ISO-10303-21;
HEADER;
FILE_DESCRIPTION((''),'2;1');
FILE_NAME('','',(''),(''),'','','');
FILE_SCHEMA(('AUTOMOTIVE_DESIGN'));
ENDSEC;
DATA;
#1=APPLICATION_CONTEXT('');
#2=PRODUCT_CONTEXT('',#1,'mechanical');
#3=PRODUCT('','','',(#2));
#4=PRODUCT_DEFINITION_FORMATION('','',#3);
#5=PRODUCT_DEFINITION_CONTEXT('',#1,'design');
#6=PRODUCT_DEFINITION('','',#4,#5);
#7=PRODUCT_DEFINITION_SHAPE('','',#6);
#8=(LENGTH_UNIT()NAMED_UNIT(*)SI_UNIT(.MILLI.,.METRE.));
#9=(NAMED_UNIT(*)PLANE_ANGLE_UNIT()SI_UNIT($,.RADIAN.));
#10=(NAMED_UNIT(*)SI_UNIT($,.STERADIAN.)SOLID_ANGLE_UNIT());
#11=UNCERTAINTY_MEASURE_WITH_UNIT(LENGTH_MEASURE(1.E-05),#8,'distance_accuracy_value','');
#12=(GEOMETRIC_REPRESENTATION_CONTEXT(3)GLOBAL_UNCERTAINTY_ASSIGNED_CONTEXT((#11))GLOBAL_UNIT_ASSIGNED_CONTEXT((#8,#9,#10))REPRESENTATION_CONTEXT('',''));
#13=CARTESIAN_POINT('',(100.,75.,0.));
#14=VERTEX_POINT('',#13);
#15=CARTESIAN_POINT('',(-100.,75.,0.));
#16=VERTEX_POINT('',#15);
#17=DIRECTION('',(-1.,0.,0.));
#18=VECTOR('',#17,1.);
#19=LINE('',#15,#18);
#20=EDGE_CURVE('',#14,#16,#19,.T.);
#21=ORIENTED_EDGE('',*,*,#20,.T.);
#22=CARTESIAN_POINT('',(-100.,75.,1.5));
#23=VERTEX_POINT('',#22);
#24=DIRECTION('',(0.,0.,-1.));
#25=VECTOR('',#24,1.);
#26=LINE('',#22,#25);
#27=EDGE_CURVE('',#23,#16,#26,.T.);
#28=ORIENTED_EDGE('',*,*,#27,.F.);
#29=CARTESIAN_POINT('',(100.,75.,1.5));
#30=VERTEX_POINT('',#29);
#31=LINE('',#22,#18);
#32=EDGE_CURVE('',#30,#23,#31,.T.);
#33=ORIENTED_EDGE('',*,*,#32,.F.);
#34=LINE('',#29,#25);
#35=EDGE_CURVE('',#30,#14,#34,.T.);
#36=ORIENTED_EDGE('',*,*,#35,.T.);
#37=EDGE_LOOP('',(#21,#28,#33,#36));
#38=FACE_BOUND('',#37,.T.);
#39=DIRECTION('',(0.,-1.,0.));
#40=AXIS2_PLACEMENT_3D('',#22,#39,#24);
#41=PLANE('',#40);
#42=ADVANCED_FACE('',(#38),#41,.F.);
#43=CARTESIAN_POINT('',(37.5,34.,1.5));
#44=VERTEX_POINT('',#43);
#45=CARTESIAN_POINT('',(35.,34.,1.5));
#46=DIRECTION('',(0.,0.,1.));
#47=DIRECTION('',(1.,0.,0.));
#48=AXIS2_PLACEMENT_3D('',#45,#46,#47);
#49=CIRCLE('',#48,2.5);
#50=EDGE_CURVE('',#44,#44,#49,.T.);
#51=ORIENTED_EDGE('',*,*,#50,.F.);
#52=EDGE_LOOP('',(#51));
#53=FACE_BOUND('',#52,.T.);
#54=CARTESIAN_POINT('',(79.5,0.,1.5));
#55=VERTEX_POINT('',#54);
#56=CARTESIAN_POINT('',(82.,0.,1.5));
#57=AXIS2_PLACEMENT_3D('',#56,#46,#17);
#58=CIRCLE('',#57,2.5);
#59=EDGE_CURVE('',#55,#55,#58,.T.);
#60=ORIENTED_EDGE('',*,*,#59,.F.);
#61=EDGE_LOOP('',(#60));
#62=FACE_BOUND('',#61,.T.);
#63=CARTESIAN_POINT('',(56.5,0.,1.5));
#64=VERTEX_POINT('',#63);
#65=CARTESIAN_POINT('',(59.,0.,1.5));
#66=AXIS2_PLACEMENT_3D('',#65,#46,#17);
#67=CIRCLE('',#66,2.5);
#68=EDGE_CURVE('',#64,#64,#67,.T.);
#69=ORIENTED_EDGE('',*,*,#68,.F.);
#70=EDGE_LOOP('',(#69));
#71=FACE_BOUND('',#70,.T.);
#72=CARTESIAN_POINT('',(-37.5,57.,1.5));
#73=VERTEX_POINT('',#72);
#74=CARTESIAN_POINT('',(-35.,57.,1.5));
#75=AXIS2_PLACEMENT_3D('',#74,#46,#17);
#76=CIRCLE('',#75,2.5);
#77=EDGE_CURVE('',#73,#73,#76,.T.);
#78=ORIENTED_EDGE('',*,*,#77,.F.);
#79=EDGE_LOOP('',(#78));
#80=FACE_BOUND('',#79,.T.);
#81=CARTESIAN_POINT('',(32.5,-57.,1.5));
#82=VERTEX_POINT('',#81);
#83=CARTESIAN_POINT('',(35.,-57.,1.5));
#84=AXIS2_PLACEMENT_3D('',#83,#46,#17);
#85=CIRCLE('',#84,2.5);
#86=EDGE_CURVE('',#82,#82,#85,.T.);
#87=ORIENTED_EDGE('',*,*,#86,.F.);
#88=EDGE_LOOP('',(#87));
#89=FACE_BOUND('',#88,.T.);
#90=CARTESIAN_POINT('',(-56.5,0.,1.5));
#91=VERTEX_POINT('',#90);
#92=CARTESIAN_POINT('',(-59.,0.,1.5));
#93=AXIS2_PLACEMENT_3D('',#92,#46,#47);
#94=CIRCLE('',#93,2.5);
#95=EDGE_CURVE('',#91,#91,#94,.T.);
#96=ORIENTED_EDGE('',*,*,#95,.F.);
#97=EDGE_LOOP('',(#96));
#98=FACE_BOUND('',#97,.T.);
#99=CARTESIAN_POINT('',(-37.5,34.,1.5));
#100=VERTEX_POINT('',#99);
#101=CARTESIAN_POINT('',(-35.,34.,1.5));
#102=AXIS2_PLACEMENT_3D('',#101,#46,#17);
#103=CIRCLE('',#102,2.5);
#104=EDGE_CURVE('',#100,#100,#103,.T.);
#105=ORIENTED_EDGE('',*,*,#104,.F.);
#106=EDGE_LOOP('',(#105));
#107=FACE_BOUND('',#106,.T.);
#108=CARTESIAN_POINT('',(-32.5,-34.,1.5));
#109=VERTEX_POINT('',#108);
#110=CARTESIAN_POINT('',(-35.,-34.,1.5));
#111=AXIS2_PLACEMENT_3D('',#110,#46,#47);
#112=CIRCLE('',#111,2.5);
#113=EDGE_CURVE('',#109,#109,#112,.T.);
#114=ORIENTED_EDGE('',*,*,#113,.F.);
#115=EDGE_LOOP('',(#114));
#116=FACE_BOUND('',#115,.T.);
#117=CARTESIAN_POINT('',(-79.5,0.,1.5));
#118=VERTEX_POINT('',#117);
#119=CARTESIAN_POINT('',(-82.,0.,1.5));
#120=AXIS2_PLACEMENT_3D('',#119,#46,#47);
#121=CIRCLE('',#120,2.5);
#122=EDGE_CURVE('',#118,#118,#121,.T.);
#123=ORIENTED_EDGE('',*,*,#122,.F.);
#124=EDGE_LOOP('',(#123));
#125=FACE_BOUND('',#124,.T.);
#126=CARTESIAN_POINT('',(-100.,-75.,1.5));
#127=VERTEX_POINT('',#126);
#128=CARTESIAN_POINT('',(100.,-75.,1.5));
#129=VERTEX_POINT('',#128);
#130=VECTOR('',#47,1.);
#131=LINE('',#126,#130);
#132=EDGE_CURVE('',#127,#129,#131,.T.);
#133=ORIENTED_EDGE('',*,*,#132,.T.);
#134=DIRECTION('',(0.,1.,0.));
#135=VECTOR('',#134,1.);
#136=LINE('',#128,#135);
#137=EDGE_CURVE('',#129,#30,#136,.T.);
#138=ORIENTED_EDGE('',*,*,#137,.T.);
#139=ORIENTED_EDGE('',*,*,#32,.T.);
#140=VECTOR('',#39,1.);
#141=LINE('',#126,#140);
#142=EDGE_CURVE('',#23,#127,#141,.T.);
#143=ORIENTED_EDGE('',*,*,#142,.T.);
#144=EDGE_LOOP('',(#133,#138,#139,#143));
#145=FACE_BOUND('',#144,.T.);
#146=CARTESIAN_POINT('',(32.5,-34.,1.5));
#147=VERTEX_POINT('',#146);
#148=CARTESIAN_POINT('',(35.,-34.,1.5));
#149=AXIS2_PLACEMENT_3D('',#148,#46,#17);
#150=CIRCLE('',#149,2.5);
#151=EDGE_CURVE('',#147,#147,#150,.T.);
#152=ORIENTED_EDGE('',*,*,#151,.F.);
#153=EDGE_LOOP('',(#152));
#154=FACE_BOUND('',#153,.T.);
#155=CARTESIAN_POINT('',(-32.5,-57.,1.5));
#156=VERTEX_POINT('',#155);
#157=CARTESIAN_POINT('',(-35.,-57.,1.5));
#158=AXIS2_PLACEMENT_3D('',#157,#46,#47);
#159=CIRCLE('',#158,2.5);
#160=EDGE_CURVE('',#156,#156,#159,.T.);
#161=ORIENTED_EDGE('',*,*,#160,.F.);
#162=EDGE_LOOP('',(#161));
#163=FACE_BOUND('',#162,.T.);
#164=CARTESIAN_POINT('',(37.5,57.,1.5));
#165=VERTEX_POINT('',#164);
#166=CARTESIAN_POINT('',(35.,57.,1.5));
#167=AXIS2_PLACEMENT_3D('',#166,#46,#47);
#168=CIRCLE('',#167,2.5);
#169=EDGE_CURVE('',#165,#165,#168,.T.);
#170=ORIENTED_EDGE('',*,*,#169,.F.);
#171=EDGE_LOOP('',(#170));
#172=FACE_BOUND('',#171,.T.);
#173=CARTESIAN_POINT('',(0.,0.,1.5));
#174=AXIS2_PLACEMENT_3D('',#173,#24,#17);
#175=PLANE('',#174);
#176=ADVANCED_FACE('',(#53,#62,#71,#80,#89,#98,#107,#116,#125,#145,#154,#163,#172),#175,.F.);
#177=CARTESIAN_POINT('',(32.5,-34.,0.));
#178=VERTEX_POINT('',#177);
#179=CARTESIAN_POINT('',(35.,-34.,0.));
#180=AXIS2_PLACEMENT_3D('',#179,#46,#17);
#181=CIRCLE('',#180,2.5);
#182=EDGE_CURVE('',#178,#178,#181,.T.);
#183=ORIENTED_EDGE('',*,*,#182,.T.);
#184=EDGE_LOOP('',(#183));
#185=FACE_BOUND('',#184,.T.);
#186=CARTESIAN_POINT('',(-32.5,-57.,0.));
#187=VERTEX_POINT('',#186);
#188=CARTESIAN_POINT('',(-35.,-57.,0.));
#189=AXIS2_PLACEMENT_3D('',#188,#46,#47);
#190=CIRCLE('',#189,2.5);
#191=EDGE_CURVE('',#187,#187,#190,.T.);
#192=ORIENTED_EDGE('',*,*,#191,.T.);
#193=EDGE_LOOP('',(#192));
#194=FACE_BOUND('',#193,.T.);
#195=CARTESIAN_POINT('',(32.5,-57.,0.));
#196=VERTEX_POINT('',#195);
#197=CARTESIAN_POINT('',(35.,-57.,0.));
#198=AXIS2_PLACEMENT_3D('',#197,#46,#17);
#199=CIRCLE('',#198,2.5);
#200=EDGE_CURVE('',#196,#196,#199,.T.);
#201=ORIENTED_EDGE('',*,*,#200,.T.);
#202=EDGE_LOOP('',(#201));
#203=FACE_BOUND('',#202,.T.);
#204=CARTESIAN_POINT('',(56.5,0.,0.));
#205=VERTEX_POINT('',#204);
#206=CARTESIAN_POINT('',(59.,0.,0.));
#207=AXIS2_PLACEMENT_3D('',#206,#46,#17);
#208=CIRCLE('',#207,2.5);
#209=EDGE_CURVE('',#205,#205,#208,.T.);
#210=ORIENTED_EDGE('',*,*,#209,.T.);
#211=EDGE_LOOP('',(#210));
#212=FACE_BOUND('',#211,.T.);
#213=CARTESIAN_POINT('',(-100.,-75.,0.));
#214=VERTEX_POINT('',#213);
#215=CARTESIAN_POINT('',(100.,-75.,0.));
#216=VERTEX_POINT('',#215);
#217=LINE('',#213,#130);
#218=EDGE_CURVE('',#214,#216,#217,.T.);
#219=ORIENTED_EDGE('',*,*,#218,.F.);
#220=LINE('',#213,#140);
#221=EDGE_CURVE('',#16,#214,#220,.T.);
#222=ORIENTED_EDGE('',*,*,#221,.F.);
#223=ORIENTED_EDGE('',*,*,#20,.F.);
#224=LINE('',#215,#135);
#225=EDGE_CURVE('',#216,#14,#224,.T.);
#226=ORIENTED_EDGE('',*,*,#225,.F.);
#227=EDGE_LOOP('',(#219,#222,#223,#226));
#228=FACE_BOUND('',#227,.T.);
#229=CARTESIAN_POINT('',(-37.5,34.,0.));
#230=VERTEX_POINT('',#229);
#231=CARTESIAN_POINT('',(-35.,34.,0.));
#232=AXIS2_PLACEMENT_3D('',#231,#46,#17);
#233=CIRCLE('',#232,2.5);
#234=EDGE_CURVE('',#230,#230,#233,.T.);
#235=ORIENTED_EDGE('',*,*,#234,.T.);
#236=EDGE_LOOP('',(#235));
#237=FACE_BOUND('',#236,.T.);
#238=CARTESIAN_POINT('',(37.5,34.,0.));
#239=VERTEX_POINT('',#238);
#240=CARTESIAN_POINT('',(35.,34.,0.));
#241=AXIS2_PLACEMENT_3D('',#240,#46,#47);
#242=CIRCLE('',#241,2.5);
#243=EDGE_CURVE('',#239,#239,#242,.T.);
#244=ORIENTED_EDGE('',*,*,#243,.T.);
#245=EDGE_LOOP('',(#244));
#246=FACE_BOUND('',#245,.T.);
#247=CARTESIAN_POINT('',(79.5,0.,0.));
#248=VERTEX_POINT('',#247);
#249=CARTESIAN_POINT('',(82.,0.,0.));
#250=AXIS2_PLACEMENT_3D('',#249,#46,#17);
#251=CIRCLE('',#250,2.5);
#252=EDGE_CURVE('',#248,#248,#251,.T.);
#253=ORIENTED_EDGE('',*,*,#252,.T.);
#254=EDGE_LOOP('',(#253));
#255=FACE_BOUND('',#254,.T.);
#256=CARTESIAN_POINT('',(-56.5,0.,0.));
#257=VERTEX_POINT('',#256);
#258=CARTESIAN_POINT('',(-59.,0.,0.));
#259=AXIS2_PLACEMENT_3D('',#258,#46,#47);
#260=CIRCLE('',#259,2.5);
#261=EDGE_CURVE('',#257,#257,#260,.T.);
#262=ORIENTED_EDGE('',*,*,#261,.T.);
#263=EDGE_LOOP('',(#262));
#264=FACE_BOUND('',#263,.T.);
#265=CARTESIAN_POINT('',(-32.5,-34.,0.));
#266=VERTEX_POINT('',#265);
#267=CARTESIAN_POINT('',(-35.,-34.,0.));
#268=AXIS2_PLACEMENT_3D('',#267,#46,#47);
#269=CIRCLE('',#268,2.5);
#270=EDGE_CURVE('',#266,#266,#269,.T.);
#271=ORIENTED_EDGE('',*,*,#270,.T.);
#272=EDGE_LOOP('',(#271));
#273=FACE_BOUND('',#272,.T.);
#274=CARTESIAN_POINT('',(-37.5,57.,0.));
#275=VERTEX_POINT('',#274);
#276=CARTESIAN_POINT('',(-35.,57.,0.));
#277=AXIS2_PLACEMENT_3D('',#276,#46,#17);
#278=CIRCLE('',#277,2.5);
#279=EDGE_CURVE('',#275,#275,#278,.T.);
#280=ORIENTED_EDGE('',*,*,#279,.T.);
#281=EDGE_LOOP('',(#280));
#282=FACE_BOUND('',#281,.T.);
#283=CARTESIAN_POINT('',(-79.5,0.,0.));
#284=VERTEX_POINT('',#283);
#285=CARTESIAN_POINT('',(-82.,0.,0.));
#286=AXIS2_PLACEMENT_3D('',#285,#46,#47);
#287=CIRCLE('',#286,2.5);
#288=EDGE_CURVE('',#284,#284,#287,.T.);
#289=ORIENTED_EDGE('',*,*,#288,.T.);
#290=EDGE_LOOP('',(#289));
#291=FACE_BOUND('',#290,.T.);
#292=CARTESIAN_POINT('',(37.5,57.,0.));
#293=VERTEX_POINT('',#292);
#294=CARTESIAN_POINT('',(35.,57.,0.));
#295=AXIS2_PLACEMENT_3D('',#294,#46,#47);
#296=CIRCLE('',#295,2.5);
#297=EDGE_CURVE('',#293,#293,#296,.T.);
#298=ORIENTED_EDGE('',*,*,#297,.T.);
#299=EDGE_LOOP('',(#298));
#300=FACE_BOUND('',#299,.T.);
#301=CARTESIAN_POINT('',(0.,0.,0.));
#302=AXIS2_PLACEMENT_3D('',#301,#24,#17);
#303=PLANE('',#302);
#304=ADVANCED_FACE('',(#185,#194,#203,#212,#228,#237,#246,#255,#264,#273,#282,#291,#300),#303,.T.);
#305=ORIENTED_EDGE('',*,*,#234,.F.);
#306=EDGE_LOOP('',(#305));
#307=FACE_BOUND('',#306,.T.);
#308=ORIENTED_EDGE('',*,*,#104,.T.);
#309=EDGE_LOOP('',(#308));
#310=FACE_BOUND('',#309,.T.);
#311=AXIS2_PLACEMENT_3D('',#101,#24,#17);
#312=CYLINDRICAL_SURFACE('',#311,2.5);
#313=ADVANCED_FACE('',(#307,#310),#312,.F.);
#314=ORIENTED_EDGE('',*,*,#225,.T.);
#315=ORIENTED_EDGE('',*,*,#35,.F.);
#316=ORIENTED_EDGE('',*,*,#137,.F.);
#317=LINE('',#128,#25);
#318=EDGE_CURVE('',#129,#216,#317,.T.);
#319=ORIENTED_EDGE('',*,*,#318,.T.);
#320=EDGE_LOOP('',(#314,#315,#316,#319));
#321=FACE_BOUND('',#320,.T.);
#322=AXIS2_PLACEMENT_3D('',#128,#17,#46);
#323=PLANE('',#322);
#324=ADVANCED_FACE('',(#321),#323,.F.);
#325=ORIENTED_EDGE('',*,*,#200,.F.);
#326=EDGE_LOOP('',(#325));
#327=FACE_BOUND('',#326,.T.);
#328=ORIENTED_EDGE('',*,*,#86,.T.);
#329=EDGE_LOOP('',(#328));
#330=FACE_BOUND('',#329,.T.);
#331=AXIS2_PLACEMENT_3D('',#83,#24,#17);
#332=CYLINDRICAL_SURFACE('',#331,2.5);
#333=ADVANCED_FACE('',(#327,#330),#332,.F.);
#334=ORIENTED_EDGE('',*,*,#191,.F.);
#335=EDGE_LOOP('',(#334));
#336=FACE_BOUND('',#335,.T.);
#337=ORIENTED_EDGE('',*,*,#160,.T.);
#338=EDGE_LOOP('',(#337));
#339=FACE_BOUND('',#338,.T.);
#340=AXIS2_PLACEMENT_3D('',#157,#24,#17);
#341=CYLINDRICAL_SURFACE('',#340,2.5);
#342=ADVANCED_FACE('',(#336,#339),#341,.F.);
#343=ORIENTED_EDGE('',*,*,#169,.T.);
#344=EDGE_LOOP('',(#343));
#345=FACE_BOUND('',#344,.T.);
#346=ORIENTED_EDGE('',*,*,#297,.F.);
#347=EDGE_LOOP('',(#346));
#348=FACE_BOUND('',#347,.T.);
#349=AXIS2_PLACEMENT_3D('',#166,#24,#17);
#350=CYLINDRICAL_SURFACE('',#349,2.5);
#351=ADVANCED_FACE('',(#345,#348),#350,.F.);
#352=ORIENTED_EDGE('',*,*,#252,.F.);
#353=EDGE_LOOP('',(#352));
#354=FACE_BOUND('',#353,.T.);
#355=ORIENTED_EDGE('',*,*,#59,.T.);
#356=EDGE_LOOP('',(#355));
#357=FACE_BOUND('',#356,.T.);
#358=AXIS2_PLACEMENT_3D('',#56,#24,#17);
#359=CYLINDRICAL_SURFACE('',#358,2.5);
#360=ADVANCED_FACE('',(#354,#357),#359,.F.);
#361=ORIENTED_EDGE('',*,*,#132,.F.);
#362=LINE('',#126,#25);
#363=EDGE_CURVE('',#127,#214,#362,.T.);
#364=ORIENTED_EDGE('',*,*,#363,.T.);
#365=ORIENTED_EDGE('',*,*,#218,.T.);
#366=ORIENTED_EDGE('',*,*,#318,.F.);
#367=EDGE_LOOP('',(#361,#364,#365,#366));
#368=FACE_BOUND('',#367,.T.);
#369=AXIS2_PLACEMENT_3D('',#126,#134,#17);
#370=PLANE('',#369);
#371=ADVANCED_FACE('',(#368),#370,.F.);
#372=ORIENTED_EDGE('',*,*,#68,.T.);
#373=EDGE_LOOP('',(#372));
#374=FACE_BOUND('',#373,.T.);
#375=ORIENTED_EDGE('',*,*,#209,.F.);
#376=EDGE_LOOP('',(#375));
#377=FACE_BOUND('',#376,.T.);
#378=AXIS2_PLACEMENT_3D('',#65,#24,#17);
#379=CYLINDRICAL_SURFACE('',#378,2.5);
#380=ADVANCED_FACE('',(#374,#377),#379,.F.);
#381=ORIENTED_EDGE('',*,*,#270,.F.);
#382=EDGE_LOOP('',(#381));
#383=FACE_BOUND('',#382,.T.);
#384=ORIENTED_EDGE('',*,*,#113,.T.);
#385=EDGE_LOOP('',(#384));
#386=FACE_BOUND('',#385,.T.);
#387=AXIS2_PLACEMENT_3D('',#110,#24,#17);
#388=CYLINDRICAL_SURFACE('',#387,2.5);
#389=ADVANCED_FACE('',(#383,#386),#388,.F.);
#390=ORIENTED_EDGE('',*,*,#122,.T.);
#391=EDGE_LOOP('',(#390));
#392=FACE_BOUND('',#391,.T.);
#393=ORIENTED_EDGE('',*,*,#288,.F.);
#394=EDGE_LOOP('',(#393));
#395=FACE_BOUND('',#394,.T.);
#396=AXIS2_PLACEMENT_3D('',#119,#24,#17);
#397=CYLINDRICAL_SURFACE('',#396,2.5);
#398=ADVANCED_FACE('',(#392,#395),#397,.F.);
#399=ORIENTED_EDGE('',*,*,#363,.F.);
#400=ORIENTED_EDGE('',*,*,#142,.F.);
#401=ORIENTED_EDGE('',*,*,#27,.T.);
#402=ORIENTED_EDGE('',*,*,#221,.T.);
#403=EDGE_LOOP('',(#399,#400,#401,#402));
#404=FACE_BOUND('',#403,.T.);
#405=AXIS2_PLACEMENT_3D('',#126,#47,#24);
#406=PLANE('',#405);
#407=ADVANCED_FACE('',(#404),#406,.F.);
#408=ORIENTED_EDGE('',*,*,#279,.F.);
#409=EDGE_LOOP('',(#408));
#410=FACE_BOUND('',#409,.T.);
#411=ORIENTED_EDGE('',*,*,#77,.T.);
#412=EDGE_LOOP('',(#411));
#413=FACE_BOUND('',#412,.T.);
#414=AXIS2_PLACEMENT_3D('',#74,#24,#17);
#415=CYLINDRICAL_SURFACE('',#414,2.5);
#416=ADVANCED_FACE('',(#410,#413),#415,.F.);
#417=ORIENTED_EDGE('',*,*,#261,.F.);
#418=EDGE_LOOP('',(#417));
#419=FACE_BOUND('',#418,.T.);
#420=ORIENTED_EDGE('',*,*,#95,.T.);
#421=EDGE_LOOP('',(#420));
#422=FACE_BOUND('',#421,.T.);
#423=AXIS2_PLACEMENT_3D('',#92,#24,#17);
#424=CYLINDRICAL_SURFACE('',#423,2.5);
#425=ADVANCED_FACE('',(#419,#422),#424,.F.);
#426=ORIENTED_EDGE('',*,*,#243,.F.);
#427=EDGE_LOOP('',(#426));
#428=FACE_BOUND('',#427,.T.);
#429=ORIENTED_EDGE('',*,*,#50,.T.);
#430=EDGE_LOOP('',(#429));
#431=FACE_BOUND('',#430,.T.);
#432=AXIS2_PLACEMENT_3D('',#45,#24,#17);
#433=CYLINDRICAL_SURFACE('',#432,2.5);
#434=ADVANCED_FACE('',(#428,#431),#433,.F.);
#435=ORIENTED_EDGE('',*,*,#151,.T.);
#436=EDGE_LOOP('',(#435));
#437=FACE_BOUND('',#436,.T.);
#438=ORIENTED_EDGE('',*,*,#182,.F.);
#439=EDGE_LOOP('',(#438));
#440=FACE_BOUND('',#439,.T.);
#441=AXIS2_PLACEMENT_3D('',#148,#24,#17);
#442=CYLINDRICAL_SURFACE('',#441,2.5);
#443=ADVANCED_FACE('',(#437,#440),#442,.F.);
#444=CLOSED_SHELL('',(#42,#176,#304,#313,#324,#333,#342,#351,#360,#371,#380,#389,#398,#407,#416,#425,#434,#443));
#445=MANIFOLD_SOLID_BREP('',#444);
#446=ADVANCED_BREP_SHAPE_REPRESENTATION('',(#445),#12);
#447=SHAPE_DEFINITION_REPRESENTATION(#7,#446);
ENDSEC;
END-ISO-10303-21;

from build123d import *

# Parameters (mm, degrees)
SKETCH_1_W      = 200
SKETCH_1_H      = 150
SKETCH_1_R      = 2.5
EXTRUDE_1_DEPTH = 1.5


with BuildPart() as part:
    # 草图1 → 凸台-拉伸1 (new body)
    with BuildSketch(Plane.XY):
        Rectangle(SKETCH_1_W, SKETCH_1_H)
        with Locations((-82, 0)):
            Circle(SKETCH_1_R, mode=Mode.SUBTRACT)
        with Locations((-59, 0)):
            Circle(SKETCH_1_R, mode=Mode.SUBTRACT)
        with Locations(Location((59, 0, 0), (0, 0, 180))):
            Circle(SKETCH_1_R, mode=Mode.SUBTRACT)
        with Locations(Location((82, 0, 0), (0, 0, 180))):
            Circle(SKETCH_1_R, mode=Mode.SUBTRACT)
        with Locations((-35, -34)):
            Circle(SKETCH_1_R, mode=Mode.SUBTRACT)
        with Locations((-35, -57)):
            Circle(SKETCH_1_R, mode=Mode.SUBTRACT)
        with Locations(Location((35, -57, 0), (0, 0, 180))):
            Circle(SKETCH_1_R, mode=Mode.SUBTRACT)
        with Locations(Location((35, -34, 0), (0, 0, 180))):
            Circle(SKETCH_1_R, mode=Mode.SUBTRACT)
        with Locations((35, 57)):
            Circle(SKETCH_1_R, mode=Mode.SUBTRACT)
        with Locations((35, 34)):
            Circle(SKETCH_1_R, mode=Mode.SUBTRACT)
        with Locations(Location((-35, 57, 0), (0, 0, 180))):
            Circle(SKETCH_1_R, mode=Mode.SUBTRACT)
        with Locations(Location((-35, 34, 0), (0, 0, 180))):
            Circle(SKETCH_1_R, mode=Mode.SUBTRACT)
    extrude(amount=EXTRUDE_1_DEPTH)


solid = part.part
